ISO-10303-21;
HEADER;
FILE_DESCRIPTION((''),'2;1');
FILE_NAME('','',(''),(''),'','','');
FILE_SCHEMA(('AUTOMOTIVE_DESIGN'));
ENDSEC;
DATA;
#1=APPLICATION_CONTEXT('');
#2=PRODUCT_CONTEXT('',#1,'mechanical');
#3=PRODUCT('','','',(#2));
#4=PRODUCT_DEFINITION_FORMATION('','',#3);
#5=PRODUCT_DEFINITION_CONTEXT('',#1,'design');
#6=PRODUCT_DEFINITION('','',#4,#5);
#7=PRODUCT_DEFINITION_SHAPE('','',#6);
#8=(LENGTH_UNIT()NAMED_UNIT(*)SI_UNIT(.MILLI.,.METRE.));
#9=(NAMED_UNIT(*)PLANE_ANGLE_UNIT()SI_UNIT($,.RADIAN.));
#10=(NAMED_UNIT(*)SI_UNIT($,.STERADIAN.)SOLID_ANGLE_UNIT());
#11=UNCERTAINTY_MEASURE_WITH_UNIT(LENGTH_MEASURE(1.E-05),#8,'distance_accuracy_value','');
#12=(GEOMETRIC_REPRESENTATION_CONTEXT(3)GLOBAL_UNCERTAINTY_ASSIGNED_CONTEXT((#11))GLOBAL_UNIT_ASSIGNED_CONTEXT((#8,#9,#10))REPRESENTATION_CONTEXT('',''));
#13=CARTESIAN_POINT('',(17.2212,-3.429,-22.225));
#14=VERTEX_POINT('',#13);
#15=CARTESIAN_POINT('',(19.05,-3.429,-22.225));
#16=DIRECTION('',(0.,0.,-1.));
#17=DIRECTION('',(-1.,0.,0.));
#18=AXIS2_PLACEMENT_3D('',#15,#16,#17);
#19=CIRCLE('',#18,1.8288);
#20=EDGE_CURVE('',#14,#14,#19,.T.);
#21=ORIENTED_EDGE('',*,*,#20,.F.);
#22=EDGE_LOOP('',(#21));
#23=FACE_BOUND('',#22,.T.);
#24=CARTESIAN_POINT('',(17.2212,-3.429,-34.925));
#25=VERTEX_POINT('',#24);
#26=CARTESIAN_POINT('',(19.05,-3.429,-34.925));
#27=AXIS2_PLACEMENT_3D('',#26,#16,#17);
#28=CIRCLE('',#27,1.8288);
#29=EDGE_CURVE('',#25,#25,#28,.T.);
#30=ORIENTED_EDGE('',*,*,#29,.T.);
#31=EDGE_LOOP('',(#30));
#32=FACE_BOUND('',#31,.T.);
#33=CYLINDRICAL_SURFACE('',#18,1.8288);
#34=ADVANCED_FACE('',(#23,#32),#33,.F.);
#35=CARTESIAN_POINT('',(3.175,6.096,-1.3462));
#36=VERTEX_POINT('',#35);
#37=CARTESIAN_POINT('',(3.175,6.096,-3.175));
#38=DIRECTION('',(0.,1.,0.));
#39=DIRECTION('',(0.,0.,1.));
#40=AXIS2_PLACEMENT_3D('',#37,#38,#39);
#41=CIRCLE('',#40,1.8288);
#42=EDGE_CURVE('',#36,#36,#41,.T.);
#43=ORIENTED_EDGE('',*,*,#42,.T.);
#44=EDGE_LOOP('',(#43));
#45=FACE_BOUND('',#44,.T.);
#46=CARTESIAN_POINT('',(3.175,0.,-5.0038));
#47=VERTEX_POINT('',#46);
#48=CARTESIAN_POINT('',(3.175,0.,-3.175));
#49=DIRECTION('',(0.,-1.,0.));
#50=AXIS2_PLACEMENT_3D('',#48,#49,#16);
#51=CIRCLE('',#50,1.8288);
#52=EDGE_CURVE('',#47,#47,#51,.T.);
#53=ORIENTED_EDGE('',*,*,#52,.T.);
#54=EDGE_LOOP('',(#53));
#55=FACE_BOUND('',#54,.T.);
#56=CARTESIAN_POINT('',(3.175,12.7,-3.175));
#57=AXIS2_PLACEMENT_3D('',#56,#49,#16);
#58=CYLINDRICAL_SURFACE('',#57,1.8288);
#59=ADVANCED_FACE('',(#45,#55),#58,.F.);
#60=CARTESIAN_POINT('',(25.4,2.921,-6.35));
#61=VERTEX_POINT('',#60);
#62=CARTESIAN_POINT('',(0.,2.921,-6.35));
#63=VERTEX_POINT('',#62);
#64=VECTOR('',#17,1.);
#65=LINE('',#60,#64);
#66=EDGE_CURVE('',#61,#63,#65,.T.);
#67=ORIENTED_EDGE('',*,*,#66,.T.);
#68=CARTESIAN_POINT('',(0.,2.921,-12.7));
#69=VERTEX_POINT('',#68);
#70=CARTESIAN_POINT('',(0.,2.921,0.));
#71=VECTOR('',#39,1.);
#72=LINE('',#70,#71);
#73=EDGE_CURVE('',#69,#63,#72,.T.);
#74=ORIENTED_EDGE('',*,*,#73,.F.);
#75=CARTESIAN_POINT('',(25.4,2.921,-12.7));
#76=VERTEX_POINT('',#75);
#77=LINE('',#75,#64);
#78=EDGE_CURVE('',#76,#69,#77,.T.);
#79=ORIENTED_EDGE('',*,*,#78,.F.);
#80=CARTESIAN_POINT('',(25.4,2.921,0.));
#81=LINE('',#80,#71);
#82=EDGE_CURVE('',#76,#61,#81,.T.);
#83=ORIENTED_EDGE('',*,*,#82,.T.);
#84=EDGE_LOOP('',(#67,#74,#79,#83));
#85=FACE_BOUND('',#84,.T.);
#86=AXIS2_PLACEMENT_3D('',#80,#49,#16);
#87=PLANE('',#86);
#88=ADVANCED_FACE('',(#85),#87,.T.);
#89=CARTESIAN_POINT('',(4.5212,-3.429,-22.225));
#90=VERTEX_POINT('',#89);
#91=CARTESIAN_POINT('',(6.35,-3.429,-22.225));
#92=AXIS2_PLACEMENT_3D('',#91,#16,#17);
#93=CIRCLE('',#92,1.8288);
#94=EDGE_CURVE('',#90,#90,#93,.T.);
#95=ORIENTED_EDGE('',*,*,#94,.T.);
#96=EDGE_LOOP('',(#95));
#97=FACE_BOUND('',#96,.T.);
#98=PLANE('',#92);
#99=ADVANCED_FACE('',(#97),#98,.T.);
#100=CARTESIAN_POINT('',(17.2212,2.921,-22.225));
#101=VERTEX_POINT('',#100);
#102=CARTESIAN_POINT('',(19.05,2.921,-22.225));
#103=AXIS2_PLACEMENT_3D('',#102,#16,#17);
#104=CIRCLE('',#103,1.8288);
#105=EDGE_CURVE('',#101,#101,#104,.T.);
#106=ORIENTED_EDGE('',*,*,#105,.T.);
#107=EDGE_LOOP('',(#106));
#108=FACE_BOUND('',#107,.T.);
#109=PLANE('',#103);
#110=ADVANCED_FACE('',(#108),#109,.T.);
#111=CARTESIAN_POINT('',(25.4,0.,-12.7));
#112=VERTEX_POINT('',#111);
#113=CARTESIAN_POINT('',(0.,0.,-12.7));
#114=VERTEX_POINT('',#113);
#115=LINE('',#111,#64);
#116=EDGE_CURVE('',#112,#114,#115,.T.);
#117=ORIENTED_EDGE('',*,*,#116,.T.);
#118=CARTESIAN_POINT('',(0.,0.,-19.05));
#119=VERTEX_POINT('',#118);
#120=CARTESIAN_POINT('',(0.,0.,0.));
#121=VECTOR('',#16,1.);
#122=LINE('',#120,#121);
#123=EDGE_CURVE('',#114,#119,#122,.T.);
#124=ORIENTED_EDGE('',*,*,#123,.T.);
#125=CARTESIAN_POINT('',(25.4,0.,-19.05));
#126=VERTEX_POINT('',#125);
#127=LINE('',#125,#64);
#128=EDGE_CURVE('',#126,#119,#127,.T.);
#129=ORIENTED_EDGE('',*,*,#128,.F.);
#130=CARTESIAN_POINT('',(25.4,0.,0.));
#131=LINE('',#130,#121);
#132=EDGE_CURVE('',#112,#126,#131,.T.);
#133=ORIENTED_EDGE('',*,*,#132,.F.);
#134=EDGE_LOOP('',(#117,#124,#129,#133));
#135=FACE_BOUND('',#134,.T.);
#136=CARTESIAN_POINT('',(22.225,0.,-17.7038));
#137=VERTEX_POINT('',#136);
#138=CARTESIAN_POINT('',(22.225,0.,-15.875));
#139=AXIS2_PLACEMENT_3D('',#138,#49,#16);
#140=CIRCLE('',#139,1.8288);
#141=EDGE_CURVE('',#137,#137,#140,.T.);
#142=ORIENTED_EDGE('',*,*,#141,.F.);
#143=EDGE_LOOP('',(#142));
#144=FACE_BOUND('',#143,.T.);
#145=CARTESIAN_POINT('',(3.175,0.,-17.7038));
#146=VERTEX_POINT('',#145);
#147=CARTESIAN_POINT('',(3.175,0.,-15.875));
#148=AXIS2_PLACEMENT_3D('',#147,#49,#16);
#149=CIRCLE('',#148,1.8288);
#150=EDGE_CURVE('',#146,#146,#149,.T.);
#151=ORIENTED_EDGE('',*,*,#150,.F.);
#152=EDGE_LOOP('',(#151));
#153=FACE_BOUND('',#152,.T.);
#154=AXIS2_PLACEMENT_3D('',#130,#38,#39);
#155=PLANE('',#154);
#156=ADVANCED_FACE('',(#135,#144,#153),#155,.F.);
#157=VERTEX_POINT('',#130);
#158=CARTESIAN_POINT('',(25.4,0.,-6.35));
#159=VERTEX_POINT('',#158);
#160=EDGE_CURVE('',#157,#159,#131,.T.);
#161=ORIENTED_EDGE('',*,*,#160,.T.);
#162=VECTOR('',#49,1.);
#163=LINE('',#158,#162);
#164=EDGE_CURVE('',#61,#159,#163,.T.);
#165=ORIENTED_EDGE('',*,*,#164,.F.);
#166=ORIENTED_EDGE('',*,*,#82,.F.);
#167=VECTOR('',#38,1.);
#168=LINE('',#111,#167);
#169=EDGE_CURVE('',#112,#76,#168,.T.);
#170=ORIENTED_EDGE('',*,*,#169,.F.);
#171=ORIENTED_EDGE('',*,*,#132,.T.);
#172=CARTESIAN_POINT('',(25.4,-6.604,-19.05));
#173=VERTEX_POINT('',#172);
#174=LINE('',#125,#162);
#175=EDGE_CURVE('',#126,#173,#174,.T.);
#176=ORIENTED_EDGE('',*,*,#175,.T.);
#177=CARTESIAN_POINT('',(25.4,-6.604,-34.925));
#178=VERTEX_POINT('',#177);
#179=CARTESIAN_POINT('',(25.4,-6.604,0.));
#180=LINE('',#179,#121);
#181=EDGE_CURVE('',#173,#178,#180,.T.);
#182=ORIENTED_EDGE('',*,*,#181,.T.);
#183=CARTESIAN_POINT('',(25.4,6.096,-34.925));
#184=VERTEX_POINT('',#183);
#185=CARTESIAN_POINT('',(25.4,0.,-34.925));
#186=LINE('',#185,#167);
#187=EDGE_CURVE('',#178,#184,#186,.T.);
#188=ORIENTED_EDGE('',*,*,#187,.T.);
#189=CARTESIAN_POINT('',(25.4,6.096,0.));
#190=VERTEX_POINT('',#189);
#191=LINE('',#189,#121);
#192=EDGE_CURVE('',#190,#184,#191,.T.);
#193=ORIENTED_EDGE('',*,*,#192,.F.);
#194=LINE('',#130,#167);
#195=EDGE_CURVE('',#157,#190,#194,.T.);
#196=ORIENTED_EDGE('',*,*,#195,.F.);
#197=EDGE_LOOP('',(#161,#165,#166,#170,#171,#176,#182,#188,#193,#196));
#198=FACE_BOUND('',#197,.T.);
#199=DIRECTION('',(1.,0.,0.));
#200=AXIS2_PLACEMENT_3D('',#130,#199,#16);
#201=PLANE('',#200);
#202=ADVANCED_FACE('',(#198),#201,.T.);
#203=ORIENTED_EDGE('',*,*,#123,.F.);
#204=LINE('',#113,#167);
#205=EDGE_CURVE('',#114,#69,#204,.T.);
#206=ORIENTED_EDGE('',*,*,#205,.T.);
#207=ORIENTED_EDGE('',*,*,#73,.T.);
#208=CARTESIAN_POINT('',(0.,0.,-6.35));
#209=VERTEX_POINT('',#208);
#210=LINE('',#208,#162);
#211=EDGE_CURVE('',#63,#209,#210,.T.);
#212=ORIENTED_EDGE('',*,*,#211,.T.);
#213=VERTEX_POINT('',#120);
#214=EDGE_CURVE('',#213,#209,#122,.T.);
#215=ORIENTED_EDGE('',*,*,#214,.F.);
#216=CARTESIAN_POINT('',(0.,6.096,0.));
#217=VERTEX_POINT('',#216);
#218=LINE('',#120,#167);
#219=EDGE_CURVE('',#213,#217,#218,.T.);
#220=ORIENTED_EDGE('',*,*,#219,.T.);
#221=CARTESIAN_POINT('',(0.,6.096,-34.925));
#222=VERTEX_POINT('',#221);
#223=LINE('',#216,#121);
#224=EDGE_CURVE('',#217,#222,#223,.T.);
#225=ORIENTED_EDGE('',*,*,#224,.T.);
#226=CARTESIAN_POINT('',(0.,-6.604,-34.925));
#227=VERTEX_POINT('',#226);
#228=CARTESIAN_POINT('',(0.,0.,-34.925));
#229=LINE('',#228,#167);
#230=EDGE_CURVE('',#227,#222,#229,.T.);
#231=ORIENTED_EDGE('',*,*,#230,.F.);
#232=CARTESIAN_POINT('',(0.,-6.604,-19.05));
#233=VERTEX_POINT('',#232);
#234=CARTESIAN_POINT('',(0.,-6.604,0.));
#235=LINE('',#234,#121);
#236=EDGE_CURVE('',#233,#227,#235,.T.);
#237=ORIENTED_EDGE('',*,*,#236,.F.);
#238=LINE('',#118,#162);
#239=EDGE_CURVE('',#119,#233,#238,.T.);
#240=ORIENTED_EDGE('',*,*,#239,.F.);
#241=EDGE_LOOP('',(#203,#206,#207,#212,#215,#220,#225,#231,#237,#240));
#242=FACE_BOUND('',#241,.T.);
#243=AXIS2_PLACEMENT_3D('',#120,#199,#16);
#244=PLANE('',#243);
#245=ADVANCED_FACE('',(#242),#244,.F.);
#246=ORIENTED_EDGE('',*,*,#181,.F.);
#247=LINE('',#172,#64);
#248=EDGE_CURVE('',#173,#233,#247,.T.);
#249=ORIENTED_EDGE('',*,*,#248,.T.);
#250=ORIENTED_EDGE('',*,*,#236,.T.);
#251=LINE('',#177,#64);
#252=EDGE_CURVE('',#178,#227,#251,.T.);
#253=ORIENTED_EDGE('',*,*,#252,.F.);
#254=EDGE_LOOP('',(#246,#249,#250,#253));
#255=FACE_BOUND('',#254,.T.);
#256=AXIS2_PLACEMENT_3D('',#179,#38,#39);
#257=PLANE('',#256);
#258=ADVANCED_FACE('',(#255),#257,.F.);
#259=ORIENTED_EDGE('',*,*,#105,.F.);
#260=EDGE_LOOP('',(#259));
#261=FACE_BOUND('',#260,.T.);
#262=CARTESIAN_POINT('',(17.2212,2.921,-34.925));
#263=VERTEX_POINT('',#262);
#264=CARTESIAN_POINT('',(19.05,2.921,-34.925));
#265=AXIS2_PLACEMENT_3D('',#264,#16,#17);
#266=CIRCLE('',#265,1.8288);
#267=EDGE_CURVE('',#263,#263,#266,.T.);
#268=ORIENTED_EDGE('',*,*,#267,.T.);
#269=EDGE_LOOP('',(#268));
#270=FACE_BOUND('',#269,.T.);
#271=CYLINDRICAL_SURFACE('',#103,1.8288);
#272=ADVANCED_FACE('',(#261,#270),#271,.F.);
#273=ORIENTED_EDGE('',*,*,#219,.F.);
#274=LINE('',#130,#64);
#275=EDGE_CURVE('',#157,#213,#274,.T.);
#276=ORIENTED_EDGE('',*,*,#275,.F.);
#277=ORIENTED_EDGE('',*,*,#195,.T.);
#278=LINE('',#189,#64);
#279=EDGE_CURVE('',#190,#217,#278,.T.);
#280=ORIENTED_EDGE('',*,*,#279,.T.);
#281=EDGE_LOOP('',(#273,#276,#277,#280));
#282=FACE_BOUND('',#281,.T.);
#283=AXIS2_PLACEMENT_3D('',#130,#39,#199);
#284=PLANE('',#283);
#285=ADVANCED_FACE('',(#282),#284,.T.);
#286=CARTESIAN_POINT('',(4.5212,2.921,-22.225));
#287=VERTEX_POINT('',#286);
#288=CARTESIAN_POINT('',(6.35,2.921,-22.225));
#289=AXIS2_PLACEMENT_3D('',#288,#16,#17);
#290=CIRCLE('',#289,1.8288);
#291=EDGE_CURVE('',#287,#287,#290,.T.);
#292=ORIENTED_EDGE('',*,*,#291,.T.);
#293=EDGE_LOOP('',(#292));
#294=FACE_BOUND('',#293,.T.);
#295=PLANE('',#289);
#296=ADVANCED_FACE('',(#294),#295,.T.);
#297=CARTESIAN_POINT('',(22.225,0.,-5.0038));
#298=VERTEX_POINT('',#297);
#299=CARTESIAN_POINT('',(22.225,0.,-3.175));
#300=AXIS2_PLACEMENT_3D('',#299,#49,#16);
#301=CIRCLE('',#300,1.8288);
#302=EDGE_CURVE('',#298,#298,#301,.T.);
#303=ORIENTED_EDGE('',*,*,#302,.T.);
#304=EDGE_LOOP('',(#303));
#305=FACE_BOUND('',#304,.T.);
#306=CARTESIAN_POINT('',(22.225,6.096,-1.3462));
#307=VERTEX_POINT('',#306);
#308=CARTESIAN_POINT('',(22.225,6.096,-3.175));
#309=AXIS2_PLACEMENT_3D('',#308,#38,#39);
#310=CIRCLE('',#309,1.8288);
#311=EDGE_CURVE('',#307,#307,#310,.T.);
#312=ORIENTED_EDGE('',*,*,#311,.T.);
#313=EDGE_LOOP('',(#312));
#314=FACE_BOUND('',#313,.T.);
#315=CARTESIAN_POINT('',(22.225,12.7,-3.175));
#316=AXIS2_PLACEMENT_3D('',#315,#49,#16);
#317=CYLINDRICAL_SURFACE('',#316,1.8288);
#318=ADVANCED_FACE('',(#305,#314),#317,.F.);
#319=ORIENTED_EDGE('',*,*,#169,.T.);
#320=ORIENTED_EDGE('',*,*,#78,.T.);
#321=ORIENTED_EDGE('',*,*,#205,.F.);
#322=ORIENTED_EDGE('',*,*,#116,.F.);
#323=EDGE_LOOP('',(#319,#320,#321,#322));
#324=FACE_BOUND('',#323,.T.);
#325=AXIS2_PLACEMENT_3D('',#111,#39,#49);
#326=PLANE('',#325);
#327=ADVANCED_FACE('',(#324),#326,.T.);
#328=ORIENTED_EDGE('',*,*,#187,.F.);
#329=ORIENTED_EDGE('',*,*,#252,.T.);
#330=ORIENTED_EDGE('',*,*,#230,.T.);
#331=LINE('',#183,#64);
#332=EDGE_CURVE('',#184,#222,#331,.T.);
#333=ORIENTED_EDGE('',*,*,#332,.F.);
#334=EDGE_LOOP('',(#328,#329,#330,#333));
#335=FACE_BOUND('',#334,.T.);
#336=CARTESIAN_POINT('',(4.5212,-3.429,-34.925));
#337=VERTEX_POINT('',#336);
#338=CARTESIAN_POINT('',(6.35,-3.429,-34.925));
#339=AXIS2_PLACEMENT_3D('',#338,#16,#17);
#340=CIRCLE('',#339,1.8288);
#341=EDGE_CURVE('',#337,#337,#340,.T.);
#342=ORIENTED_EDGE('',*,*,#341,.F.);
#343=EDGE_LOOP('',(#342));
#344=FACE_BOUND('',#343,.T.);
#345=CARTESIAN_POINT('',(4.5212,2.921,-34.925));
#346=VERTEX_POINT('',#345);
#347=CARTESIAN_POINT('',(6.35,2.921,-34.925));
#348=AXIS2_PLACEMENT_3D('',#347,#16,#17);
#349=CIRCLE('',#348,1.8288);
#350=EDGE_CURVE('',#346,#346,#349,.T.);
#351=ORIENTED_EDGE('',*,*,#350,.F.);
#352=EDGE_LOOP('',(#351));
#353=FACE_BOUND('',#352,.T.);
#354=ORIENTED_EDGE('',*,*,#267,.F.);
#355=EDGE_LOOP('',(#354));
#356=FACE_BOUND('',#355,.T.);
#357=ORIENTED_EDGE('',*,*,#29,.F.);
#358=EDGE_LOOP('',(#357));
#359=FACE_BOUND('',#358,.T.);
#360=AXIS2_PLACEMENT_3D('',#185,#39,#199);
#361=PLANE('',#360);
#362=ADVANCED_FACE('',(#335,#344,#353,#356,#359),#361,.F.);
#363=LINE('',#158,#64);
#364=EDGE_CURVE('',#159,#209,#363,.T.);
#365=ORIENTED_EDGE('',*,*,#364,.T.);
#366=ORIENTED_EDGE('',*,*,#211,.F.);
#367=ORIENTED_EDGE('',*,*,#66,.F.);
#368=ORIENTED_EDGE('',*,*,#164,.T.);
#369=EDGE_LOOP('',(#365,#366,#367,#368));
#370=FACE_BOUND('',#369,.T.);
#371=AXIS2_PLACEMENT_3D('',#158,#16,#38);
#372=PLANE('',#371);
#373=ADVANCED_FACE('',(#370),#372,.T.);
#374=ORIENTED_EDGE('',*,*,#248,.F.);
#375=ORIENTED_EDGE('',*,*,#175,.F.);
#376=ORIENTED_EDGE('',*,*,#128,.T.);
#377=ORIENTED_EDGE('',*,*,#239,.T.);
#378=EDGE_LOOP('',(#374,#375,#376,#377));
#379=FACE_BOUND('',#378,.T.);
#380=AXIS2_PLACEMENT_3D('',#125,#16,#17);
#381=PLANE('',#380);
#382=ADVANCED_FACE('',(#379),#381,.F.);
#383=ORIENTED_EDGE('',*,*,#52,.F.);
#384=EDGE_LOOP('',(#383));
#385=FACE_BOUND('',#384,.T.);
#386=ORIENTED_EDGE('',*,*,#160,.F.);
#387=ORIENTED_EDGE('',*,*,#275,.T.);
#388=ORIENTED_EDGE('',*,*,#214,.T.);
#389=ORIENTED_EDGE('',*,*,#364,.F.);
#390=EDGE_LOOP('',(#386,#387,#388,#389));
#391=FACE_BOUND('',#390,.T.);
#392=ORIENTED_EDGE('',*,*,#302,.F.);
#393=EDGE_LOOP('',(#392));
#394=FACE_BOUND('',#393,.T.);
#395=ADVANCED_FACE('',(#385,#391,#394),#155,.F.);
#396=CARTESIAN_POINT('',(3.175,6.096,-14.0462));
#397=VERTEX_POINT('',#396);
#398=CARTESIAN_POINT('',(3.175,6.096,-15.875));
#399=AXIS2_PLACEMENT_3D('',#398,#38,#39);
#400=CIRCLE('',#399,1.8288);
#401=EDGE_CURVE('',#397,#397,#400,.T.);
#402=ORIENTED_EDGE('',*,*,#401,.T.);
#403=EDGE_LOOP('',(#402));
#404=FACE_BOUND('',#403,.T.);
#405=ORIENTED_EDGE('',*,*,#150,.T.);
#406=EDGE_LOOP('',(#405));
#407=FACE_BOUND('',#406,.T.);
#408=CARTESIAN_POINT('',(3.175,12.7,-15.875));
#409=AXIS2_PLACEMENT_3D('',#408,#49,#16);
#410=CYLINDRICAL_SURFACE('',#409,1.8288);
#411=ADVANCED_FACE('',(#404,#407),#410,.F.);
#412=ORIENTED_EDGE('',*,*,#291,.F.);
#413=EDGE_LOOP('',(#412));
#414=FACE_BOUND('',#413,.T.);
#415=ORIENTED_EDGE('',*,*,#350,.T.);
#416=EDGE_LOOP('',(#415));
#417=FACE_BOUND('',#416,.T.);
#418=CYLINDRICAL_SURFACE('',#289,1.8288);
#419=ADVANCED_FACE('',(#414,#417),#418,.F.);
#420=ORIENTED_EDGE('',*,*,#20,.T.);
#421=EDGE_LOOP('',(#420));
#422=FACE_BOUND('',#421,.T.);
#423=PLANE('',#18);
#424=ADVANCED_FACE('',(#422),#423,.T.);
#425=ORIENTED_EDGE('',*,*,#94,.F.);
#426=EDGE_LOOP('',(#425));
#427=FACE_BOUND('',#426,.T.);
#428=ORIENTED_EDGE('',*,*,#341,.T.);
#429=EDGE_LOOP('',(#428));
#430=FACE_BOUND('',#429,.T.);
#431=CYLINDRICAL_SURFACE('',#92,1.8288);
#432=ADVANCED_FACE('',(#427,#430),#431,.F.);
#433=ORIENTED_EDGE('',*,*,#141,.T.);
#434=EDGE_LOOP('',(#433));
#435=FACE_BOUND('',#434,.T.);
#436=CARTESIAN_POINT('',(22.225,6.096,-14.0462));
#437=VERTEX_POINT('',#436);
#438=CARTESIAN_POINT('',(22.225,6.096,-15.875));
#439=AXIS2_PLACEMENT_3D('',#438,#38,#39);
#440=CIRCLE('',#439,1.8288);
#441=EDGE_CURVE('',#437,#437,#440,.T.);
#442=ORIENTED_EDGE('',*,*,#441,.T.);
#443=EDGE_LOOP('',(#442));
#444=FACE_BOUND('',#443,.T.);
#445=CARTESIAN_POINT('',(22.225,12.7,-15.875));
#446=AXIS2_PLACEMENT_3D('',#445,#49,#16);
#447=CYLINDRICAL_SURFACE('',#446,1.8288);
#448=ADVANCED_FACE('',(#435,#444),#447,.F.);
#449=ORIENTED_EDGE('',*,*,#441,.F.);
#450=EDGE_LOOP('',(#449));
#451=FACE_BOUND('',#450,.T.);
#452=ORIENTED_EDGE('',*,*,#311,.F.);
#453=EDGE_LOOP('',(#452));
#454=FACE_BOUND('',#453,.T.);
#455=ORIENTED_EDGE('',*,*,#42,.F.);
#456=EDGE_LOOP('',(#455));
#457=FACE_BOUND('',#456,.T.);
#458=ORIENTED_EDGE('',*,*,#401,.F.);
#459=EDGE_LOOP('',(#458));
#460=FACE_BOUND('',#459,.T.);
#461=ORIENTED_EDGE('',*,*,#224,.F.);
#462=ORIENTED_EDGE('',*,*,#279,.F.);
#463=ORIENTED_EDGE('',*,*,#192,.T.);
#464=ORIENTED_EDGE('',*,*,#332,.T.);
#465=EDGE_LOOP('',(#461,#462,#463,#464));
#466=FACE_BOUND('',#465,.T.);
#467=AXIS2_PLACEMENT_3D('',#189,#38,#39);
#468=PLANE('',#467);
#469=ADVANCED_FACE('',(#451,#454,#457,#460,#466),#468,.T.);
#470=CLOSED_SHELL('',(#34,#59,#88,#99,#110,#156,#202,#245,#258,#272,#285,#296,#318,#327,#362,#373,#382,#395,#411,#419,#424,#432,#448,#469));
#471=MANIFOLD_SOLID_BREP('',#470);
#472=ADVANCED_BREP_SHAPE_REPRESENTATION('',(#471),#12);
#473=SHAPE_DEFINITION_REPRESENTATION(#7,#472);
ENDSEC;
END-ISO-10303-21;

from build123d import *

# Parameters (mm, degrees)
BOSS_EXTRUDE1_DEPTH = 25.4
SKETCH2_R           = 1.8288
CUT_EXTRUDE1_DEPTH  = 12.7
SKETCH3_R           = 1.8288
CUT_EXTRUDE2_DEPTH  = 12.7


with BuildPart() as part:
    # Sketch1 → Boss-Extrude1 (new body)
    with BuildSketch(Plane(origin=(0, 0, 0), x_dir=(0, 0, -1), z_dir=(1, 0, 0))):
        Polygon((0, 6.096), (0, 0), (6.35, 0), (6.35, 2.921), (12.7, 2.921), (12.7, 0), (19.05, 0), (19.05, -6.604), (34.925, -6.604), (34.925, 6.096), align=None)
    extrude(amount=BOSS_EXTRUDE1_DEPTH)

    # Sketch2 → Cut-Extrude1 (cut)
    with BuildSketch(Plane(origin=(0, 0, -34.925), x_dir=(-1, 0, 0), z_dir=(0, 0, -1))):
        with Locations((-19.05, 2.921)):
            Circle(SKETCH2_R)
        with Locations((-6.35, 2.921)):
            Circle(SKETCH2_R)
        with Locations((-19.05, -3.429)):
            Circle(SKETCH2_R)
        with Locations((-6.35, -3.429)):
            Circle(SKETCH2_R)
    extrude(amount=-CUT_EXTRUDE1_DEPTH, mode=Mode.SUBTRACT)

    # Sketch3 → Cut-Extrude2 (cut)
    with BuildSketch(Plane.XZ):
        with Locations((3.175, -3.175)):
            Circle(SKETCH3_R)
        with Locations((3.175, -15.875)):
            Circle(SKETCH3_R)
        with Locations((22.225, -3.175)):
            Circle(SKETCH3_R)
        with Locations((22.225, -15.875)):
            Circle(SKETCH3_R)
    extrude(amount=-CUT_EXTRUDE2_DEPTH, mode=Mode.SUBTRACT)


solid = part.part
